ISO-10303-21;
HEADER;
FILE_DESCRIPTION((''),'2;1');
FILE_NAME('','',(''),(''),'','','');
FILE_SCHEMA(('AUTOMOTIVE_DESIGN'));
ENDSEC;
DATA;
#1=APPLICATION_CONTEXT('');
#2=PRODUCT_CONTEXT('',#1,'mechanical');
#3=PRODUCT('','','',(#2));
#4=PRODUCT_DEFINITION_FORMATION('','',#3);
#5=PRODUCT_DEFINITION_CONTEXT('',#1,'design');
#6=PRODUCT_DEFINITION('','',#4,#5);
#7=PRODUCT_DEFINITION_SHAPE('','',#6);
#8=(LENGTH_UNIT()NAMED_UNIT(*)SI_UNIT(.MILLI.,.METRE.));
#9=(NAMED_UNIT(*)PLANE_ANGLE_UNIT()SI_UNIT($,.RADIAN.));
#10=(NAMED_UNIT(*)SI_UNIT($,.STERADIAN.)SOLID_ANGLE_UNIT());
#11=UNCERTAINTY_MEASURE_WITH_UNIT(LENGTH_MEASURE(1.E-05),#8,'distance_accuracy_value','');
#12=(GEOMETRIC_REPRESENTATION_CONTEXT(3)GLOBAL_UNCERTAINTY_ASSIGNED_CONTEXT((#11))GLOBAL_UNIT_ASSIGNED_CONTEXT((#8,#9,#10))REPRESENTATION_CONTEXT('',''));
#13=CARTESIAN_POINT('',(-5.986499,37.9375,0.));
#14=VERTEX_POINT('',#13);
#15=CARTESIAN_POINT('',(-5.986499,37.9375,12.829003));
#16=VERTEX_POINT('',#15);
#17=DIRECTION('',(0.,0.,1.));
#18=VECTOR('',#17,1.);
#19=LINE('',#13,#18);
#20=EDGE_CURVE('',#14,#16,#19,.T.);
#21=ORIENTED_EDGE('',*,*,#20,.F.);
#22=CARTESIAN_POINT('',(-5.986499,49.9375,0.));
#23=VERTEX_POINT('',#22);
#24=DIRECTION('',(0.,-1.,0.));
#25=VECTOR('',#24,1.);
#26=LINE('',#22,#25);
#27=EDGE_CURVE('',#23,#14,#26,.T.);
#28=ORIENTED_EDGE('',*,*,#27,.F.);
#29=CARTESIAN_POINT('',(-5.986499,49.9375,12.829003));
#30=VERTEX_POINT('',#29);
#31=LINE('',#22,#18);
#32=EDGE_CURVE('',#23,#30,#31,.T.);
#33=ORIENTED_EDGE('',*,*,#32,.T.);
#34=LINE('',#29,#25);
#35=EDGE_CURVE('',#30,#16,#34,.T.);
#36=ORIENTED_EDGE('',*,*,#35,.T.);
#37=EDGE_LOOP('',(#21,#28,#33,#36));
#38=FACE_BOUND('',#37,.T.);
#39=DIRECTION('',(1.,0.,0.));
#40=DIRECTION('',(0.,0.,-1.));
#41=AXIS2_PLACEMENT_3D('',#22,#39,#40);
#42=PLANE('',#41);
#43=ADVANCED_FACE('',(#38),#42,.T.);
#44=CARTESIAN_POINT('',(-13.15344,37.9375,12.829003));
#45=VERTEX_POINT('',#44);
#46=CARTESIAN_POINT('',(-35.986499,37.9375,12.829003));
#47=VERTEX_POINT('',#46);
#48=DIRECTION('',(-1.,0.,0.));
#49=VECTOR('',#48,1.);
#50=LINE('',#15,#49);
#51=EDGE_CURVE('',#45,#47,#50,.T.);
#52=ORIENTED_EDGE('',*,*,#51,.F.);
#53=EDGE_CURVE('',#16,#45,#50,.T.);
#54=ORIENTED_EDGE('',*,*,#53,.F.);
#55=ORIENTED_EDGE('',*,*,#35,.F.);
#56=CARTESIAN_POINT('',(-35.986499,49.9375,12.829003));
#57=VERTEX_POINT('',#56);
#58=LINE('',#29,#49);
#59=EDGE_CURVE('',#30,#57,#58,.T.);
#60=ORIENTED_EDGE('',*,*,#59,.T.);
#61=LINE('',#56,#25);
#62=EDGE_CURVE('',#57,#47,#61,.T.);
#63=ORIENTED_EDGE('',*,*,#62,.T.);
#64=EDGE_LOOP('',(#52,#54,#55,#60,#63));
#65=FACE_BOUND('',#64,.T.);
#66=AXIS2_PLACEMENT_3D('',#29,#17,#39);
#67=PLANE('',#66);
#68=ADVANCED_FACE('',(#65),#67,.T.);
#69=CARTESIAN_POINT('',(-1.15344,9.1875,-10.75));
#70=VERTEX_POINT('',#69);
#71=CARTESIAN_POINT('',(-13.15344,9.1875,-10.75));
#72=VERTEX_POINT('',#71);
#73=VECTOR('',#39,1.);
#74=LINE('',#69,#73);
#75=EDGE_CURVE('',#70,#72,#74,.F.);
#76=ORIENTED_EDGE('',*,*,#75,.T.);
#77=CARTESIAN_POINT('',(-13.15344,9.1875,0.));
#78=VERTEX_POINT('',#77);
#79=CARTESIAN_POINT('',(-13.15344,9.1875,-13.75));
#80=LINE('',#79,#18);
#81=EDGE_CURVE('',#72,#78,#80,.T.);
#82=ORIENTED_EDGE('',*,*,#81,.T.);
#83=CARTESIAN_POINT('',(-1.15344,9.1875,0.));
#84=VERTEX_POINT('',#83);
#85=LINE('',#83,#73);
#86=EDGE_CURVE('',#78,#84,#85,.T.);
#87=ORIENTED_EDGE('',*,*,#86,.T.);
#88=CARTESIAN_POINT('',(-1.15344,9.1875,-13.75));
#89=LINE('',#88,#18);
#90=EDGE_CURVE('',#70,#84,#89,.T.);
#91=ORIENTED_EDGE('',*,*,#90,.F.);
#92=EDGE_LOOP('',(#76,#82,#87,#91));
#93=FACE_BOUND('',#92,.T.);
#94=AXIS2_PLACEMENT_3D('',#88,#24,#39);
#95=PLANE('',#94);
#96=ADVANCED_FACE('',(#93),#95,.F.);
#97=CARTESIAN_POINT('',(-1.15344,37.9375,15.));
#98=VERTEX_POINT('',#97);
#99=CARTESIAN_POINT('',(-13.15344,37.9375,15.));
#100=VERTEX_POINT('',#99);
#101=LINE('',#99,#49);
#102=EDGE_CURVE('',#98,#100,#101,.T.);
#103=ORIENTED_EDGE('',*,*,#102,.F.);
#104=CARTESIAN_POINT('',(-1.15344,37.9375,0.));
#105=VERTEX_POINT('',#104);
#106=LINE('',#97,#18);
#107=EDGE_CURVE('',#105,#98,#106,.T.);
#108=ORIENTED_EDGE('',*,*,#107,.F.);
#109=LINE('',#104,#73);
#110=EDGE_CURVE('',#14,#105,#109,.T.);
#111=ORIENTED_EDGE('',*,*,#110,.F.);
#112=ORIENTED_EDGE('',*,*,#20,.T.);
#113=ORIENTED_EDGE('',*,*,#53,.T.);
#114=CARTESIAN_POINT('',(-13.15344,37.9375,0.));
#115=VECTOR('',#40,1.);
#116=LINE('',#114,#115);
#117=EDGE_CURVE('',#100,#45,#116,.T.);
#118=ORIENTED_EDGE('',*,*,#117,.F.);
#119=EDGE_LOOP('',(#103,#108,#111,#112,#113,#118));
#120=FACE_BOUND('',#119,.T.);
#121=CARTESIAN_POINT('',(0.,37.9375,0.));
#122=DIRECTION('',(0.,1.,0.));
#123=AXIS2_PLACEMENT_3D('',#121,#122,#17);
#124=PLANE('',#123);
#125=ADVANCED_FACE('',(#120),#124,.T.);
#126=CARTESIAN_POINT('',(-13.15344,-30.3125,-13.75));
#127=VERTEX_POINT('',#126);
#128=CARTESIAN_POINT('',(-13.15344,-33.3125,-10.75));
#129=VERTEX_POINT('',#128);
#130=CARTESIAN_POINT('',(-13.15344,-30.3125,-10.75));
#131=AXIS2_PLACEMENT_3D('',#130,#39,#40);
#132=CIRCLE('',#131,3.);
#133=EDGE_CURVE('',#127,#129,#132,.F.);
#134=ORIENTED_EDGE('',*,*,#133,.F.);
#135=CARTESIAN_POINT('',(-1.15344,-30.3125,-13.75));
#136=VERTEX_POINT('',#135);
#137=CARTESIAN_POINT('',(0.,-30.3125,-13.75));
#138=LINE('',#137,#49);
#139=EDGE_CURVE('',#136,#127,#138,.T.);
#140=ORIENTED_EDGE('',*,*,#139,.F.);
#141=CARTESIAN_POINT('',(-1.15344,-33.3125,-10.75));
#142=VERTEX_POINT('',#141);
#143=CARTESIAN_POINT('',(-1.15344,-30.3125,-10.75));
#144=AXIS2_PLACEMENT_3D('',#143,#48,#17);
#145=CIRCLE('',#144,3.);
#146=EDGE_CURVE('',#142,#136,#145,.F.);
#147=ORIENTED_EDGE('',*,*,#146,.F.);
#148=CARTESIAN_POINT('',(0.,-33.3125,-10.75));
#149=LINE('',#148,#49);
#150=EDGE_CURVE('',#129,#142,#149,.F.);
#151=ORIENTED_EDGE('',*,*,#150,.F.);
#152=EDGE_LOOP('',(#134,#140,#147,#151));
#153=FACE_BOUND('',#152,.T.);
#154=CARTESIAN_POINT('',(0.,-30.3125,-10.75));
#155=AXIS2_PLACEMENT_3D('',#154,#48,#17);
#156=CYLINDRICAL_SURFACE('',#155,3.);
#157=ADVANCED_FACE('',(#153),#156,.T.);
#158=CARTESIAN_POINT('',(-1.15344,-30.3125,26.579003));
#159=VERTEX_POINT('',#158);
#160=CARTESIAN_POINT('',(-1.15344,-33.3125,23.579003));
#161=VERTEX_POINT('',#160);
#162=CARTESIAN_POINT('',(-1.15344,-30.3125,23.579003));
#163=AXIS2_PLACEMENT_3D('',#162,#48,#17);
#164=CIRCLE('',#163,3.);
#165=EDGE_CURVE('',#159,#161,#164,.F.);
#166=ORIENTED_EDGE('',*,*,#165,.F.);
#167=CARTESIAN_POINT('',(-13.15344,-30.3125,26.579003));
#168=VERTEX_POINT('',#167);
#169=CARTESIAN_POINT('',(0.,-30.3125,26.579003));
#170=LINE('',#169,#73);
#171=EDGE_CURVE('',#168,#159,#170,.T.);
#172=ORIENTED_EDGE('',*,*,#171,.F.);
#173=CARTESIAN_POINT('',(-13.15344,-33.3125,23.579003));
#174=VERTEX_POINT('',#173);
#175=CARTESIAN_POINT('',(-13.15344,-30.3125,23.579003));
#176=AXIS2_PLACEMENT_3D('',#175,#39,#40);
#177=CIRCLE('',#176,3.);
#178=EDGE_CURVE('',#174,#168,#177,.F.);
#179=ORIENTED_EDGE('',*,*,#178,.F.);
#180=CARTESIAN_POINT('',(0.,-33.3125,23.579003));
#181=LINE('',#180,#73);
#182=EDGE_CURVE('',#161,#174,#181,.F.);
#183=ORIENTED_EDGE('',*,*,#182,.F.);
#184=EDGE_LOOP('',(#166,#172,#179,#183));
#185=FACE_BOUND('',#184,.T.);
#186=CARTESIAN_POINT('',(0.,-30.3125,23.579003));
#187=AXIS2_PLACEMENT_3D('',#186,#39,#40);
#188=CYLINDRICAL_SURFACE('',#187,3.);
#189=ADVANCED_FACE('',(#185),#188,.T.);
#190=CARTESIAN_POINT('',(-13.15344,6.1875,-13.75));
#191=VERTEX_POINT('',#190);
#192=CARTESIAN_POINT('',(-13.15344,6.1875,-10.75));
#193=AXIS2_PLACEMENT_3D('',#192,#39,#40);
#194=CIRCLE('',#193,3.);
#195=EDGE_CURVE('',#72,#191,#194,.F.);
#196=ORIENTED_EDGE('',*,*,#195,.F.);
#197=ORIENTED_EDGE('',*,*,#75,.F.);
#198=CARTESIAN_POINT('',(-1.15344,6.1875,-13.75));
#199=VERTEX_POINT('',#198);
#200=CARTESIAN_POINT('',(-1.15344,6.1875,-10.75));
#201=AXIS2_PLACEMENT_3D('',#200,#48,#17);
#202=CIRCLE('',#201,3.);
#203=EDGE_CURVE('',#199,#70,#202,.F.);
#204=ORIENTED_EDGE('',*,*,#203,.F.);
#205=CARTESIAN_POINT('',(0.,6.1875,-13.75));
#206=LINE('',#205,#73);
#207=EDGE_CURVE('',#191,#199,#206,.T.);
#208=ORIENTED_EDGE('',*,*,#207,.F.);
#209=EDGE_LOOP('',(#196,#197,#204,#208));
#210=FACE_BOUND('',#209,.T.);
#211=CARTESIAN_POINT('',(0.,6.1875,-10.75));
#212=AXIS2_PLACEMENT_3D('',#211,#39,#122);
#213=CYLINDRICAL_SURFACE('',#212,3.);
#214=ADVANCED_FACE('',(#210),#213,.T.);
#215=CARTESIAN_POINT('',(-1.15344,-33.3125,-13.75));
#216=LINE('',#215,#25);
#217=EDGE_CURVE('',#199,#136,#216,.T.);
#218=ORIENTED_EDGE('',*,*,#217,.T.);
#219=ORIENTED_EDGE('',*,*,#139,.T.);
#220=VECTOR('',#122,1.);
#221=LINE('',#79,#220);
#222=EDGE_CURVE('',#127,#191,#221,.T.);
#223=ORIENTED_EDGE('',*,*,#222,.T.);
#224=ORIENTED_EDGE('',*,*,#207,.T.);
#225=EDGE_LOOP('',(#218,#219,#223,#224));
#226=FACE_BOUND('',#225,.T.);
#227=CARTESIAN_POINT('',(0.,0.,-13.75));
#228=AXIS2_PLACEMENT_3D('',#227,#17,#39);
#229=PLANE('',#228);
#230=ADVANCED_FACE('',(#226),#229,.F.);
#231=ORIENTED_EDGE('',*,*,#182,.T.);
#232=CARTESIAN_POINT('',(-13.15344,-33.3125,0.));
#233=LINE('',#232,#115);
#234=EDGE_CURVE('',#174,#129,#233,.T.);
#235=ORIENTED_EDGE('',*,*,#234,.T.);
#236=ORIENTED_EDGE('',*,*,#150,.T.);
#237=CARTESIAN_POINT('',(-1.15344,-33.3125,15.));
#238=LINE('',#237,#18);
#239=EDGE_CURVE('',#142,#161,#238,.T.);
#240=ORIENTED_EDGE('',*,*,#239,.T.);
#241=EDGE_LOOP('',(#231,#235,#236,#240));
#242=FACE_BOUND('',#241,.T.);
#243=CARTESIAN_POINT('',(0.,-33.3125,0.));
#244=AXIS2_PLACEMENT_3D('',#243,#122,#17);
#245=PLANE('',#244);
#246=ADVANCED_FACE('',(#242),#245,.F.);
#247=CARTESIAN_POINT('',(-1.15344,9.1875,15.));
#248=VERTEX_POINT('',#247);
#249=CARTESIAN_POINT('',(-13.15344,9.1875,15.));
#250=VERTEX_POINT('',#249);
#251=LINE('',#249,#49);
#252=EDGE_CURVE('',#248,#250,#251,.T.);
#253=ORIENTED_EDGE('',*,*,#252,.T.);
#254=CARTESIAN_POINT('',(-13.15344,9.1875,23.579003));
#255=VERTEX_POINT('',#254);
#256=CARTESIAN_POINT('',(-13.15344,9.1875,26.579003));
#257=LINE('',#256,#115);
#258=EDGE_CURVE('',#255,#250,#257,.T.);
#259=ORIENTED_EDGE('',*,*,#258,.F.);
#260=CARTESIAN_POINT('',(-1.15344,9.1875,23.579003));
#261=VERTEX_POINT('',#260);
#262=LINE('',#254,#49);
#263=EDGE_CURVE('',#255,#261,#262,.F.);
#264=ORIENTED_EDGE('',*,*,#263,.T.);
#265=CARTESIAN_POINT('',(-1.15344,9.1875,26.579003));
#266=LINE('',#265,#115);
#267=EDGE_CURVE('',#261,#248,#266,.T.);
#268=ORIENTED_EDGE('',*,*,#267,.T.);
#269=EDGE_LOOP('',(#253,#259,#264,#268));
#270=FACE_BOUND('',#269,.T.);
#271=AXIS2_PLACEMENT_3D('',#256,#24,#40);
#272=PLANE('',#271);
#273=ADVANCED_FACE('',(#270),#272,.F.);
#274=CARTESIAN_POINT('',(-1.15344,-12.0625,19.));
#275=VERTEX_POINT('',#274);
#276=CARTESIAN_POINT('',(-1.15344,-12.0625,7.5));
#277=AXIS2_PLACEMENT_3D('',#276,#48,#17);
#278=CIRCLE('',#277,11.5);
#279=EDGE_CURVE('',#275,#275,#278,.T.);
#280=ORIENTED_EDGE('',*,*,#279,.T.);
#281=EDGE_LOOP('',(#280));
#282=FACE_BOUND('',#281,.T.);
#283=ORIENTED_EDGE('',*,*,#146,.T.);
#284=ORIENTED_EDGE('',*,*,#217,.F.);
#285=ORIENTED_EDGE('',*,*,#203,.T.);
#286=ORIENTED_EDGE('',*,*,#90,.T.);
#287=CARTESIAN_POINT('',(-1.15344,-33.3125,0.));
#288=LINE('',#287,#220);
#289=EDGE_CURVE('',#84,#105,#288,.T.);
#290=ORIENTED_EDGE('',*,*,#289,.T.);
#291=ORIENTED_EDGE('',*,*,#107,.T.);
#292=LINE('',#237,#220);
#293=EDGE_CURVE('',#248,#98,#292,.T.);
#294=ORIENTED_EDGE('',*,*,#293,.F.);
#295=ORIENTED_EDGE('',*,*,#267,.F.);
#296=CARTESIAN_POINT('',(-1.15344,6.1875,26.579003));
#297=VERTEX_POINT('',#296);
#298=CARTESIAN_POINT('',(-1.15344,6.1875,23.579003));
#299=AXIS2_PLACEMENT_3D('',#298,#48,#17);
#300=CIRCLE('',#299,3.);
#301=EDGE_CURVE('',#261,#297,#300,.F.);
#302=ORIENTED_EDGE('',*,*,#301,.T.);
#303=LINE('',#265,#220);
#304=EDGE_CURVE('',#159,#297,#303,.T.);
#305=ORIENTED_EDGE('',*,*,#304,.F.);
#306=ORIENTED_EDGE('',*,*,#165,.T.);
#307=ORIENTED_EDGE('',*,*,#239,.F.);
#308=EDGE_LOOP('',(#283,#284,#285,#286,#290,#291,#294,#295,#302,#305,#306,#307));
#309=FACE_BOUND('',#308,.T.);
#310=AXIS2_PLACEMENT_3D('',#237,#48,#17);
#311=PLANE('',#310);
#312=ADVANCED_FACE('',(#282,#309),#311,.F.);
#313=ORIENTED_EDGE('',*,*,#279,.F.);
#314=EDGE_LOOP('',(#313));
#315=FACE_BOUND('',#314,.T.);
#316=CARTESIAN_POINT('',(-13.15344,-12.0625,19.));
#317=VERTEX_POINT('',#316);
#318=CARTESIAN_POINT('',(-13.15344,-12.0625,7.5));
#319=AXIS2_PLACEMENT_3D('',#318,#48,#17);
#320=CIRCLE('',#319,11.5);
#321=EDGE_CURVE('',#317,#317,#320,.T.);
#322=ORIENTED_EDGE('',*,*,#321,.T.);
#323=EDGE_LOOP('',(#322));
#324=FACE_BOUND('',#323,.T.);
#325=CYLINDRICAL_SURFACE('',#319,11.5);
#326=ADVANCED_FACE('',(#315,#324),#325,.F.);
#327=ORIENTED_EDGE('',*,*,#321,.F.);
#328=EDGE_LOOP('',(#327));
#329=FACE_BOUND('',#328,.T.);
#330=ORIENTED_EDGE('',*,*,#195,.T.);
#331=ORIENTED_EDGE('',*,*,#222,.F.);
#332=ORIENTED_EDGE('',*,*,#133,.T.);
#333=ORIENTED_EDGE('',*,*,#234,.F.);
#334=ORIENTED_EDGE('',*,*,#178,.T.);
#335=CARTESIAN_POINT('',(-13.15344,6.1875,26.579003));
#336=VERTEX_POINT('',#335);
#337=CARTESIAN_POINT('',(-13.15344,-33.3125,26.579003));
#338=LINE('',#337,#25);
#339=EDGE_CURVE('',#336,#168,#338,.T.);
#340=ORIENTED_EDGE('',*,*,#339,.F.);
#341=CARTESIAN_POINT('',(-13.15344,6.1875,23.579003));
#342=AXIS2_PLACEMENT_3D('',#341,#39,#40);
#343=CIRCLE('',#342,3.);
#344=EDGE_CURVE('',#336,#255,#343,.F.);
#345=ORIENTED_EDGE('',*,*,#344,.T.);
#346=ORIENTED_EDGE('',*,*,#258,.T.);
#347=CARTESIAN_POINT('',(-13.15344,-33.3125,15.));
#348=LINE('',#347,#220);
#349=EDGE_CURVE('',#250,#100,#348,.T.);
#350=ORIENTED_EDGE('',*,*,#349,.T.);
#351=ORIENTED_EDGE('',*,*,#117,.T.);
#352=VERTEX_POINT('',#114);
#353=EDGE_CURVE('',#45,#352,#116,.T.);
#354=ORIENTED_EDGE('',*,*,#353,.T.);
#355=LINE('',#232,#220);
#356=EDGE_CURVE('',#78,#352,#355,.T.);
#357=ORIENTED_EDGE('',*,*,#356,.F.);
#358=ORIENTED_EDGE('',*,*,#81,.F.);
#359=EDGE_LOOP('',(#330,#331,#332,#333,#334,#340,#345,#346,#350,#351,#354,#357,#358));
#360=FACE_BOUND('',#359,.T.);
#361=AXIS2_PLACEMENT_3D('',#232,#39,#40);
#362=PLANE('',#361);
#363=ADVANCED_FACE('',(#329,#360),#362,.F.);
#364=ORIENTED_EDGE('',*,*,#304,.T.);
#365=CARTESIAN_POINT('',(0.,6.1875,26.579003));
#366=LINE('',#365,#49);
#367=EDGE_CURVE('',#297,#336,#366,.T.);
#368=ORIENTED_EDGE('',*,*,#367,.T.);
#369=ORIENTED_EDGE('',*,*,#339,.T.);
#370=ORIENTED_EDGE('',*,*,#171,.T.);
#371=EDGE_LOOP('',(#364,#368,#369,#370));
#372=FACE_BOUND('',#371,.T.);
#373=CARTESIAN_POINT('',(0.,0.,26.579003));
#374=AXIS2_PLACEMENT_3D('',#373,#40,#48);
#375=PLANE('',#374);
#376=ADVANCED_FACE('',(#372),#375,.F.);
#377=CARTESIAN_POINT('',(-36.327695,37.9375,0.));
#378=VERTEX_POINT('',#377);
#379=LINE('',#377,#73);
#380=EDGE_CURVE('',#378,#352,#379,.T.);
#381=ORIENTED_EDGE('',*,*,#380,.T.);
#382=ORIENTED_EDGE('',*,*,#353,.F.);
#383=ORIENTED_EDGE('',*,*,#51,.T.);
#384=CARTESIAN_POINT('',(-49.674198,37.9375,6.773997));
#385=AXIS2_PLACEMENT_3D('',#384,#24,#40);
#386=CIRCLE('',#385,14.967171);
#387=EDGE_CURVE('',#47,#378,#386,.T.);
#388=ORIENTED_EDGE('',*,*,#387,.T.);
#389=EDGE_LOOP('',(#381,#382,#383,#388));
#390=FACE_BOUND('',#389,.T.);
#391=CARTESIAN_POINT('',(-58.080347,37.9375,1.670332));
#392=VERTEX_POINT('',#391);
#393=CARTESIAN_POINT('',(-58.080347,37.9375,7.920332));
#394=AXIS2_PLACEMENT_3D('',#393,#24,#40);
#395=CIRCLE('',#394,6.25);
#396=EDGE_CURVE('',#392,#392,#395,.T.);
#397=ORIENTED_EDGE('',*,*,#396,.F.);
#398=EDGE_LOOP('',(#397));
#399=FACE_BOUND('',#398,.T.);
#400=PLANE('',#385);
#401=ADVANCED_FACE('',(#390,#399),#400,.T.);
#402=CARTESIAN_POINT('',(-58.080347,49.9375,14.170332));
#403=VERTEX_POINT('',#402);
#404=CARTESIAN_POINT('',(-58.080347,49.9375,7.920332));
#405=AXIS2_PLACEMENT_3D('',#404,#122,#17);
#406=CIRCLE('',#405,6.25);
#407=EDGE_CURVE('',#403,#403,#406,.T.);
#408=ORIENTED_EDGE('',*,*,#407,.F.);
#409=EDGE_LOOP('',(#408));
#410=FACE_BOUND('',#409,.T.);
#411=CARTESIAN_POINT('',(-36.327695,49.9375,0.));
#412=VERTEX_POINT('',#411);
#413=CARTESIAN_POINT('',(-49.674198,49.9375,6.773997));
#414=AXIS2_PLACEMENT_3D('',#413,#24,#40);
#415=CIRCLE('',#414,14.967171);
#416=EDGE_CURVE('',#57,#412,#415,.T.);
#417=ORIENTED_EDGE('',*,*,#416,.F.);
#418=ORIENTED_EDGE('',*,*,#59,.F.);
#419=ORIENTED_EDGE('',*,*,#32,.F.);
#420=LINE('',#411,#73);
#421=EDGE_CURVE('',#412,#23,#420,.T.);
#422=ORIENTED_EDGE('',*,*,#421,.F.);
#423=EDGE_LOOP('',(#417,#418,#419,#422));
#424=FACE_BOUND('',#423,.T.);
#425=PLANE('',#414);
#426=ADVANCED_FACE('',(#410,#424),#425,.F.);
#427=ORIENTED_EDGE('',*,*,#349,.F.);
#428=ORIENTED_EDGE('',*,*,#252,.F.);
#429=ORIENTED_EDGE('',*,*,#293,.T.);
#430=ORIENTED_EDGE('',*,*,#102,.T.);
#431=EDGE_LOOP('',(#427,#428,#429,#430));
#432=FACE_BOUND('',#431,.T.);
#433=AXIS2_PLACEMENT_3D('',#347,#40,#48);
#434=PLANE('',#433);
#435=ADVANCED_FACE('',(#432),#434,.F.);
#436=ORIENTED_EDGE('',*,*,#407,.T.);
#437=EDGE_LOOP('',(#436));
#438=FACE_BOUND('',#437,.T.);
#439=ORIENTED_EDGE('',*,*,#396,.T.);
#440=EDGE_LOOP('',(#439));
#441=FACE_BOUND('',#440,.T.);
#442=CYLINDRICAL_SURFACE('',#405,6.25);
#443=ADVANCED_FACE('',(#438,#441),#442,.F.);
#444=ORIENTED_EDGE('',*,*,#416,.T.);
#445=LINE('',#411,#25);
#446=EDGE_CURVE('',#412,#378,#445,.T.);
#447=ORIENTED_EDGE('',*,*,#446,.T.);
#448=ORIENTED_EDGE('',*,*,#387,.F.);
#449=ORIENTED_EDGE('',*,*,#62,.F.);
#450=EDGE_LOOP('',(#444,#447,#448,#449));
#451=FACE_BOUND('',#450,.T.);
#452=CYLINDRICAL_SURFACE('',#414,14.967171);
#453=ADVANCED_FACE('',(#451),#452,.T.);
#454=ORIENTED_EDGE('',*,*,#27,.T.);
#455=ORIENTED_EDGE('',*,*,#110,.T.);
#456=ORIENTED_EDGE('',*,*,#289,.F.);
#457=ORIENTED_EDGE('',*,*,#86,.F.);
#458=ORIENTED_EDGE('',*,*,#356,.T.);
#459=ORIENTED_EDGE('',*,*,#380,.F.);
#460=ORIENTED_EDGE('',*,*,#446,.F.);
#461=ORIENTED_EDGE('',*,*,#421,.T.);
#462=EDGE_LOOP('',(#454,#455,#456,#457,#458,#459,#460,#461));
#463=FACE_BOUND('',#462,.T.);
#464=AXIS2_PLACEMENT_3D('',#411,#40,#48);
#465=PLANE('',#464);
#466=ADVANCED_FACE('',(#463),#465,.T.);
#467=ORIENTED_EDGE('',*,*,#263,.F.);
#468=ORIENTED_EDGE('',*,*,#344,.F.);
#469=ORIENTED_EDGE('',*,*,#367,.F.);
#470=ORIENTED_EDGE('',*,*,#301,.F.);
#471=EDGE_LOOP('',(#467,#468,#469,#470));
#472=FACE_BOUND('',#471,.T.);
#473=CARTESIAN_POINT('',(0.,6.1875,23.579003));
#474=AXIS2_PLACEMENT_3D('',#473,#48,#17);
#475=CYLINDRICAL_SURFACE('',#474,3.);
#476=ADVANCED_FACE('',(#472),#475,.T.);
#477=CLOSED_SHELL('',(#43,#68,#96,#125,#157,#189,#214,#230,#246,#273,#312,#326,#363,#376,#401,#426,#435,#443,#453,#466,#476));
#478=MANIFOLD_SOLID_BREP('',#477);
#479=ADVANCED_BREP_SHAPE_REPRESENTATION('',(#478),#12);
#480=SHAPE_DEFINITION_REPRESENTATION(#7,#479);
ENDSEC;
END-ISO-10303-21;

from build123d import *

# Parameters (mm, degrees)
Y_KSEKLIK_EKSTR_ZYON1_DEPTH = 12
IZIM2_W                     = 12
IZIM2_H                     = 15
Y_KSEKLIK_EKSTR_ZYON2_DEPTH = 71.25
IZIM3_W                     = 12
IZIM3_H                     = 42.5
Y_KSEKLIK_EKSTR_ZYON3_DEPTH = 13.75
IZIM4_W                     = 12
IZIM4_H                     = 42.5
Y_KSEKLIK_EKSTR_ZYON4_DEPTH = 13.75
F_23_0_23_AP_DELIK1_D       = 23
F_12_5_12_5_AP_DELIK1_D     = 12.5
F_12_5_12_5_AP_DELIK1_DEPTH = 83.25
RADYUS1_R                   = 3


with BuildPart() as part:
    # Çizim1 → Yükseklik-Ekstrüzyon1 (new body)
    with BuildSketch(Plane.XZ.offset(-37.9375)):
        with BuildLine():
            Line((-5.986499419, 12.829003496), (-35.986499419, 12.829003496))
            ThreePointArc((-35.986499419, 12.829003496), (-64.636078524, 7.171917786), (-36.327694661, 0))
            Line((-36.327694661, 0), (-5.986499419, 0))
            Line((-5.986499419, 0), (-5.986499419, 12.829003496))
        make_face()
    extrude(amount=-Y_KSEKLIK_EKSTR_ZYON1_DEPTH)

    # Çizim2 → Yükseklik-Ekstrüzyon2 (add)
    with BuildSketch(Plane.XZ.offset(-37.9375)):
        with Locations((-7.153440428, 7.5)):
            Rectangle(IZIM2_W, IZIM2_H)
    extrude(amount=Y_KSEKLIK_EKSTR_ZYON2_DEPTH)

    # Çizim3 → Yükseklik-Ekstrüzyon3 (add)
    with BuildSketch(Plane(origin=(0, 0, 0), x_dir=(-1, 0, 0), z_dir=(0, 0, -1))):
        with Locations((7.153440428, -12.0625)):
            Rectangle(IZIM3_W, IZIM3_H)
    extrude(amount=Y_KSEKLIK_EKSTR_ZYON3_DEPTH)

    # Çizim4 → Yükseklik-Ekstrüzyon4 (add)
    with BuildSketch(Plane.XY.offset(12.829003496)):
        with Locations((-7.153440428, -12.0625)):
            Rectangle(IZIM4_W, IZIM4_H)
    extrude(amount=Y_KSEKLIK_EKSTR_ZYON4_DEPTH)

    # Ø23.0 (23) Çap Delik1 (through all)
    with Locations(Plane.ZY.offset(13.153440428)):
        with Locations((7.5, -12.0625)):
            Hole(F_23_0_23_AP_DELIK1_D / 2)

    # Ø12.5 (12.5) Çap Delik1
    with Locations(Plane(origin=(0, 49.9375, 0), x_dir=(1, 0, 0), z_dir=(0, 1, 0))):
        with Locations((-58.080346996, -7.920331509)):
            Hole(F_12_5_12_5_AP_DELIK1_D / 2, depth=F_12_5_12_5_AP_DELIK1_DEPTH)

    # Radyus1
    radyus1_edges = [part.edges().sort_by_distance(p)[0] for p in [
        (-7.153440428, -33.3125, -13.75),
        (-7.153440428, 9.1875, -13.75),
        (-7.153440428, -33.3125, 26.579003496),
        (-7.153440428, 9.1875, 26.579003496),
    ]]
    fillet(radyus1_edges, radius=RADYUS1_R)


solid = part.part
